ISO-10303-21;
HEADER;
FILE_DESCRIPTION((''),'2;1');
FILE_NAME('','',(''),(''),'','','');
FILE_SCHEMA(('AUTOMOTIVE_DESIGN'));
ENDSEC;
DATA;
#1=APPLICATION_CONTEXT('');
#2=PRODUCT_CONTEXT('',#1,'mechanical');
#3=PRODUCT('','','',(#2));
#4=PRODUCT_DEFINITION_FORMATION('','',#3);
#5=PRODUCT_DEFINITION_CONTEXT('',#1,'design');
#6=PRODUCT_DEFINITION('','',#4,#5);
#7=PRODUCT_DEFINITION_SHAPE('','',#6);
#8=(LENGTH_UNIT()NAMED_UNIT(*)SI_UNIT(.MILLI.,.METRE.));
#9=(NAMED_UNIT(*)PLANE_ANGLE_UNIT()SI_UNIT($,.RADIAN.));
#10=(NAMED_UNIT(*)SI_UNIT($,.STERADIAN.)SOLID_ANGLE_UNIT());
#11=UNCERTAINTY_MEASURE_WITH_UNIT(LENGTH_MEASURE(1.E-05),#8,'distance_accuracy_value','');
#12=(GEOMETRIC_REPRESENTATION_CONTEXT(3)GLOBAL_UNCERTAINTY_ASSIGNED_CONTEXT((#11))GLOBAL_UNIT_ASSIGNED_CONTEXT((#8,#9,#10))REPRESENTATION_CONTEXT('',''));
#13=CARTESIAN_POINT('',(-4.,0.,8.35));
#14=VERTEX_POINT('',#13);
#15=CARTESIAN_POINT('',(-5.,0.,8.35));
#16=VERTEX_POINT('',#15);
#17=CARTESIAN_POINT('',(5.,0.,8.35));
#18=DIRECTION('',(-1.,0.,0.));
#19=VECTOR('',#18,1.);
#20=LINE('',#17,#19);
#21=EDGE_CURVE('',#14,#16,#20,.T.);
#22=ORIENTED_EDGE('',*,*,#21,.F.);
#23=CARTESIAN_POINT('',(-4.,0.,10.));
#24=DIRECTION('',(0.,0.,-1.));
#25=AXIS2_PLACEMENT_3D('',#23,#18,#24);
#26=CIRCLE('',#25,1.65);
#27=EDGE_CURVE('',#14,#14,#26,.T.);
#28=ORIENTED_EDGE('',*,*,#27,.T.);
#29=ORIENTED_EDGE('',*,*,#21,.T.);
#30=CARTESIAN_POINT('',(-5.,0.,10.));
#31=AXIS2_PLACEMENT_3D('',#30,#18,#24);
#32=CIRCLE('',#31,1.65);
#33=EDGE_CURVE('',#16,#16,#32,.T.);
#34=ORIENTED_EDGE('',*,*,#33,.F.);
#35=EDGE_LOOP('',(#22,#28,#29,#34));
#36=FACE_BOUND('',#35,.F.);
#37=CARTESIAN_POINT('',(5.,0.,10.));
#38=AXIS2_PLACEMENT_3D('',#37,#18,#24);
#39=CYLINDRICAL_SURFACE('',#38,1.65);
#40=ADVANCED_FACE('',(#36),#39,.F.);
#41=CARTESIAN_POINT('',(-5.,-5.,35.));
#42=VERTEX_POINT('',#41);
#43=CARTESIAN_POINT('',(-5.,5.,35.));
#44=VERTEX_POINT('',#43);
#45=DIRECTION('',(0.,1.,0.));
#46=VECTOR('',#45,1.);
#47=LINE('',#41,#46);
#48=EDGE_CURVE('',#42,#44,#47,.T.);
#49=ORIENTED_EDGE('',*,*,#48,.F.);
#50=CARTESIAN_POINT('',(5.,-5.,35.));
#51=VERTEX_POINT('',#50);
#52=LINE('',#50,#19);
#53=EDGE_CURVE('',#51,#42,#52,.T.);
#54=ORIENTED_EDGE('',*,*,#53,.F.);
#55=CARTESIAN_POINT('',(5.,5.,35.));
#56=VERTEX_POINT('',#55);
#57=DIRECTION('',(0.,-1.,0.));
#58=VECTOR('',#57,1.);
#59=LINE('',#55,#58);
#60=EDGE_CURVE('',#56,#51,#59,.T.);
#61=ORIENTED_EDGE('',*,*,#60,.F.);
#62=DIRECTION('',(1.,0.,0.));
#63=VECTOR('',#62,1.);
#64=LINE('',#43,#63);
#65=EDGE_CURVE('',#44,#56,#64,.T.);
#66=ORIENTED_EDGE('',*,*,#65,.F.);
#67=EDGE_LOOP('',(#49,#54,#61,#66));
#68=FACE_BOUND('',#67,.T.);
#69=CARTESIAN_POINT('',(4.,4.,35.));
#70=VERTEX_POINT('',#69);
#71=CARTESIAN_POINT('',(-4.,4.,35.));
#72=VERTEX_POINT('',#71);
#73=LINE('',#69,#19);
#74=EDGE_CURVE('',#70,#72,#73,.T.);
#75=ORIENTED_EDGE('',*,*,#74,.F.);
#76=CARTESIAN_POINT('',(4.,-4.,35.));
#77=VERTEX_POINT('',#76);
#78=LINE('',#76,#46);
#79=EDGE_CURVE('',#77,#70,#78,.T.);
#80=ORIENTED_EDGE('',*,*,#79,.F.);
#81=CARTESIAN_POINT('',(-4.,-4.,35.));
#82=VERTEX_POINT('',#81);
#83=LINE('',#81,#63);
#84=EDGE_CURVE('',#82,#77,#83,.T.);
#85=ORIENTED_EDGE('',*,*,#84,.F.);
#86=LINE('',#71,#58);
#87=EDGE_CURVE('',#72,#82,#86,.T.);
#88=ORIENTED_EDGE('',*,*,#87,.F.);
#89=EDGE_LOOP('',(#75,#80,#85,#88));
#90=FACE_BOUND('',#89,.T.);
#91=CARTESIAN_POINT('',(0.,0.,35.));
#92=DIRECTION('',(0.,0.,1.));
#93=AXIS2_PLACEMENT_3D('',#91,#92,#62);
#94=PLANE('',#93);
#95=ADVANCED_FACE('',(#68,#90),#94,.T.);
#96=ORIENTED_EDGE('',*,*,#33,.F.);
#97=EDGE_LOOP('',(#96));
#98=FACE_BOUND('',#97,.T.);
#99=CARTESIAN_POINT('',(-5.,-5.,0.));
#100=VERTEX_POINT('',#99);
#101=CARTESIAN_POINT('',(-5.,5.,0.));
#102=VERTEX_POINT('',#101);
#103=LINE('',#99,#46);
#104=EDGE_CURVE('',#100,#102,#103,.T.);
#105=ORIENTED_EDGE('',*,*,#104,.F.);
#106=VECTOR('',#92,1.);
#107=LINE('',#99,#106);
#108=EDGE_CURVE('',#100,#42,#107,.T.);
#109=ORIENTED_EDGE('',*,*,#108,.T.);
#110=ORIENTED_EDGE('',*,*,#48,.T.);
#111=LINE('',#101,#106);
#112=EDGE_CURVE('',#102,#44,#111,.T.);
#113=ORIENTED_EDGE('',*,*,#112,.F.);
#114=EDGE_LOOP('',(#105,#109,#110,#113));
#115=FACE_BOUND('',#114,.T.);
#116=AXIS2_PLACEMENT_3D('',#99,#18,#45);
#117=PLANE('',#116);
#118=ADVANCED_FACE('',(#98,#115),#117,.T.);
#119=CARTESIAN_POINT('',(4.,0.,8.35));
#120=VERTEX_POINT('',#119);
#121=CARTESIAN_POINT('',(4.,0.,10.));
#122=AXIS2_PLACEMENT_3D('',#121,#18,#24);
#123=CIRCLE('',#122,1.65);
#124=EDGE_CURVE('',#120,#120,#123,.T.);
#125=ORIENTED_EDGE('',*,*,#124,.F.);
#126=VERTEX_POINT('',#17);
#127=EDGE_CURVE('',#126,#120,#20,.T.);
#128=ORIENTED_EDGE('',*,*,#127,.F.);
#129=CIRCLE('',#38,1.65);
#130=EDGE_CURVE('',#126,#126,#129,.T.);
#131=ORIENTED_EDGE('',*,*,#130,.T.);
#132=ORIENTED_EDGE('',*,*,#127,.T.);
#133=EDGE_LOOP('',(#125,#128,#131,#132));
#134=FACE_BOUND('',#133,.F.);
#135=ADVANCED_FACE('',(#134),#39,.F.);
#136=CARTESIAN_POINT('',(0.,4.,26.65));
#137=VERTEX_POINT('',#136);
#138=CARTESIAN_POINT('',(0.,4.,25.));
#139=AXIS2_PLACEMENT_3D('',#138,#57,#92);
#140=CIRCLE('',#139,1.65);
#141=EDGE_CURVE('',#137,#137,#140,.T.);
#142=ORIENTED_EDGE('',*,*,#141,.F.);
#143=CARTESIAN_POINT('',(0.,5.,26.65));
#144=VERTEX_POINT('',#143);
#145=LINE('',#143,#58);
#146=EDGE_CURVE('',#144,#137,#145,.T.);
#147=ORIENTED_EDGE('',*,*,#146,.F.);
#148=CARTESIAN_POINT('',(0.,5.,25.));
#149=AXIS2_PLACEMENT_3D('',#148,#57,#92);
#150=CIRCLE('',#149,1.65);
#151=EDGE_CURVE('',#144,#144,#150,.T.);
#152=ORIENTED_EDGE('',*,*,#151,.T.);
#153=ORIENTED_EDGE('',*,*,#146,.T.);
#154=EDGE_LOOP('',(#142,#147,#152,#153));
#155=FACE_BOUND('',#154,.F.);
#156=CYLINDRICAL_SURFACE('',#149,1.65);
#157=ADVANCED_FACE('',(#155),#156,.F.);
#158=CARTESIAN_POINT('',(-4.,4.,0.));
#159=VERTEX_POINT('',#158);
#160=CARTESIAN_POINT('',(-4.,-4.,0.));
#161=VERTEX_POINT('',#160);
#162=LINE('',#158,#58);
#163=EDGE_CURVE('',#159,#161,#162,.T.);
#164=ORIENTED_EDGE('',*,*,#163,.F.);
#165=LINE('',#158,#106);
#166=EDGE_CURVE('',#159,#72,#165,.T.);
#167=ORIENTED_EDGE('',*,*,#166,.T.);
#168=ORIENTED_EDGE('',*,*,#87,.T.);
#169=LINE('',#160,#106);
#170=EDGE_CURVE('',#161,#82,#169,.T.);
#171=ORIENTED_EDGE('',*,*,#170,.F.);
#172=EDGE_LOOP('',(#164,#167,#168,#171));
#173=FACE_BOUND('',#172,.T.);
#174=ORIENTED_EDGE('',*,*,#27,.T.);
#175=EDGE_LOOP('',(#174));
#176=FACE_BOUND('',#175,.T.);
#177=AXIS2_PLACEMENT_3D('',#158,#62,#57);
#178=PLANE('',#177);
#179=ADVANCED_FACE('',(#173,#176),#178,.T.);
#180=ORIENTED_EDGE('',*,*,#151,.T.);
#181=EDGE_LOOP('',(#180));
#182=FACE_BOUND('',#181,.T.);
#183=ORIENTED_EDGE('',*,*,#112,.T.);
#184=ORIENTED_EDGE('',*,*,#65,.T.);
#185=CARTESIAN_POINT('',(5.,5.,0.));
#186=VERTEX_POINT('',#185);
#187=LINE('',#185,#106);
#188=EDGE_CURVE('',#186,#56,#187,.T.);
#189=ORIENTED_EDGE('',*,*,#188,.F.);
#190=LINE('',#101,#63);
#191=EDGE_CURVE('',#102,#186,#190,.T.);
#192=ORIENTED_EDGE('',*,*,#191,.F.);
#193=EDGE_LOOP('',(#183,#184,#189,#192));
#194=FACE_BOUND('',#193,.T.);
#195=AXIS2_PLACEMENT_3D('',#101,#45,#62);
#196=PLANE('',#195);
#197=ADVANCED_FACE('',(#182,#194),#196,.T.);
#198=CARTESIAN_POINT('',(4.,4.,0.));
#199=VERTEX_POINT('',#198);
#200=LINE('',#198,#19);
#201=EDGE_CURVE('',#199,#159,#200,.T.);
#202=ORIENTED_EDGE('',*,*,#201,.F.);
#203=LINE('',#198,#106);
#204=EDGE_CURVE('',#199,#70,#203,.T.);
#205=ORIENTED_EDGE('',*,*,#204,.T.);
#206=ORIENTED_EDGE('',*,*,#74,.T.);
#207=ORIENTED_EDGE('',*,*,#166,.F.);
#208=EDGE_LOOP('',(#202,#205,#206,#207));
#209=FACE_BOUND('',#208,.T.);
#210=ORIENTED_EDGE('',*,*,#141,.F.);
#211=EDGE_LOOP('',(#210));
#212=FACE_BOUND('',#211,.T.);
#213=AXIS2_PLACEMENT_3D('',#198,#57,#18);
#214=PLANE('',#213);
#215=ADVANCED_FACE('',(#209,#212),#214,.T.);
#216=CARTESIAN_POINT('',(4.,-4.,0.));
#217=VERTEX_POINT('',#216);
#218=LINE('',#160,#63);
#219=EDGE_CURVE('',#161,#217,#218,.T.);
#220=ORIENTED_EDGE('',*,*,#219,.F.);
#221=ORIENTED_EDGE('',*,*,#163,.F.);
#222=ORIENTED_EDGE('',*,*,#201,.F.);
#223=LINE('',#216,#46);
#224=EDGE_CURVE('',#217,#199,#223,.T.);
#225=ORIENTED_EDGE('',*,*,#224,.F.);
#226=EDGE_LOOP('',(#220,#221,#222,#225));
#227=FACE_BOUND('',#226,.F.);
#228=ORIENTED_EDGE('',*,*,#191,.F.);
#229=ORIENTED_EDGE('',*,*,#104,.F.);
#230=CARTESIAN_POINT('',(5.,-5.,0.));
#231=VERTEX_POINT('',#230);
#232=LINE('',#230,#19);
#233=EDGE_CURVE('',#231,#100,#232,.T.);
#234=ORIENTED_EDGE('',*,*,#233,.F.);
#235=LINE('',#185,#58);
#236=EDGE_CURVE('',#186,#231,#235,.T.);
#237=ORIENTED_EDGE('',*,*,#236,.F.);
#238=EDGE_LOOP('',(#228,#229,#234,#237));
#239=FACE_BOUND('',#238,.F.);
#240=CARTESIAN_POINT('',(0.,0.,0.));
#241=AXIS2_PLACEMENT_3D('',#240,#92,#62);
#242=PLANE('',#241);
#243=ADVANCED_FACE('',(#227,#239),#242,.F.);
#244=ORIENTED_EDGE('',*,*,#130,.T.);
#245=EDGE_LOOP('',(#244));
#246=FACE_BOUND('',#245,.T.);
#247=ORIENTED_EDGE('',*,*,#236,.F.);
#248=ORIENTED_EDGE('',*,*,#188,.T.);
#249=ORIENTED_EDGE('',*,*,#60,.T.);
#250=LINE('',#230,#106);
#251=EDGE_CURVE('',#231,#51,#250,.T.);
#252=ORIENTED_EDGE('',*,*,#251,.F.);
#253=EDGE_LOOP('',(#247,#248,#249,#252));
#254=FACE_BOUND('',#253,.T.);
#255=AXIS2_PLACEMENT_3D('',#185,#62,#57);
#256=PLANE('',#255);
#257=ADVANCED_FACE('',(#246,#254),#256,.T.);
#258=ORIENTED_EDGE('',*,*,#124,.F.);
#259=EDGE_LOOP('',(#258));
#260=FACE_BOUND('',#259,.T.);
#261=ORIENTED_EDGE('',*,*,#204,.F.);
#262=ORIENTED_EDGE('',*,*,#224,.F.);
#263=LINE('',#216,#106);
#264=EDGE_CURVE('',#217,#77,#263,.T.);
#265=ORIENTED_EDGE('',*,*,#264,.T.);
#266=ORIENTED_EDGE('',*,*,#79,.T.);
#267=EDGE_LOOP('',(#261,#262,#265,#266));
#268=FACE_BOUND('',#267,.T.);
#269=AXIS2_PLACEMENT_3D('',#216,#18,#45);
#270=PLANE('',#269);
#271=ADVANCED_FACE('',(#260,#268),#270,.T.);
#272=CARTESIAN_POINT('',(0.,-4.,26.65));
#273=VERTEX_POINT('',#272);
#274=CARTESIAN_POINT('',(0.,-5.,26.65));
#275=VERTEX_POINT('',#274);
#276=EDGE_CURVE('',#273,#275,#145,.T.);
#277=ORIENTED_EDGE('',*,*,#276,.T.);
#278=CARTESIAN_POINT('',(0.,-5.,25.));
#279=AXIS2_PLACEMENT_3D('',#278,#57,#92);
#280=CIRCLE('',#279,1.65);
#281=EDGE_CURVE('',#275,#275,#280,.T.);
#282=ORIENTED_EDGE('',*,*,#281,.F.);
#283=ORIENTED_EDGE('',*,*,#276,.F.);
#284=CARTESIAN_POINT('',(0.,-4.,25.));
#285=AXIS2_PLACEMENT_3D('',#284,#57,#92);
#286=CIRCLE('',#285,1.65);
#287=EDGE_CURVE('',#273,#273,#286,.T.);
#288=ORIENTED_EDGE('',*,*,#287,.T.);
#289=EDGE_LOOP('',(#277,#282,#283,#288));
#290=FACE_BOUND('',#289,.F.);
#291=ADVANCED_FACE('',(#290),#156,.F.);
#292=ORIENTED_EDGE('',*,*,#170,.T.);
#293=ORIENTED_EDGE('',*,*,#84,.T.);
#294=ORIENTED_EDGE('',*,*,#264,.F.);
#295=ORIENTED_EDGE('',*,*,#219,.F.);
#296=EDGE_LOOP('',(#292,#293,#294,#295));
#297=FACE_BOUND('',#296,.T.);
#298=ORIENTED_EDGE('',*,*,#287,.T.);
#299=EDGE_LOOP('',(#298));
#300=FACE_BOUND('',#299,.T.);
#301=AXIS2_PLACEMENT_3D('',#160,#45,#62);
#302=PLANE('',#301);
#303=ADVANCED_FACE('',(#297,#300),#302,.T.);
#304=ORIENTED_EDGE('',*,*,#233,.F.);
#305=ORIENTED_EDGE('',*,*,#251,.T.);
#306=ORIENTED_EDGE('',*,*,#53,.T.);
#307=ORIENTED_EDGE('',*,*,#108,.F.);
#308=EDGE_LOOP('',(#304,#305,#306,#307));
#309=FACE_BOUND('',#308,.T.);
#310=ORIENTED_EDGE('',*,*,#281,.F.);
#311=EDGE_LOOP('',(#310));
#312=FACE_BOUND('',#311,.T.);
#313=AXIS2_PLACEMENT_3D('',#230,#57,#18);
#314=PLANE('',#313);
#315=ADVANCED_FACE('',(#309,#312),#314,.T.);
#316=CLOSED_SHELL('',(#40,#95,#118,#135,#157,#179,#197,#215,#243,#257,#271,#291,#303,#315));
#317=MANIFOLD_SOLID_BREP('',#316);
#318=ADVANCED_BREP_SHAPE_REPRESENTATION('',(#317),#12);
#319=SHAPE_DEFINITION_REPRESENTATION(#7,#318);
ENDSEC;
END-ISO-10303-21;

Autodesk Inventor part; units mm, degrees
ref_plane "YZ Plane" through (0, 0, 0) normal (1, 0, 0) x (0, 1, 0)
ref_plane "XZ Plane" through (0, 0, 0) normal (0, 1, 0) x (-1, 0, 0)
ref_plane "XY Plane" through (0, 0, 0) normal (0, 0, 1) x (1, 0, 0)
sketch "スケッチ1" plane through (0, 0, 0) normal (0, 0, 1) x (1, 0, 0)
  line L0 (5, -5) -> (-5, -5)
  line L1 (-5, -5) -> (-5, 5)
  line L2 (-5, 5) -> (5, 5)
  line L3 (5, 5) -> (5, -5)
  line L4 (5, -5) -> (-5, 5) construction
  line L5 (-5, -5) -> (5, 5) construction
  line L6 (4, 4) -> (-4, 4)
  line L7 (-4, 4) -> (-4, -4)
  line L8 (-4, -4) -> (4, -4)
  line L9 (4, -4) -> (4, 4)
  point P0 (0, 0)
  dimension "d0" = 10
  dimension "d1" = 10
  dimension "d2" = 1
extrude "押し出し1" add sketch "スケッチ1" along normal blind 35
sketch "スケッチ2" plane through (5, -5, 0) normal (1, 0, 0) x (0, 0, -1)
  line L0 (-35, 9) -> (-35, 1) projected
  line L1 (-35, 5) -> (0, 5)
  line L2 (0, 9) -> (0, 1) projected
  point P0 (-10, 5)
  dimension "d5" = 10
hole "穴1" at (5, 0, 10) direction (-1, 0, 0) diameter 3.3 end through all
sketch "スケッチ3" plane through (-5, 5, 0) normal (0, 1, 0) x (1, 0, 0)
  line L0 (5, 0) -> (5, -35)
  line L1 (0, -35) -> (10, -35) projected
  line L2 (10, 0) -> (0, 0) projected
  point P0 (5, -25)
  dimension "d13" = 25
hole "穴2" at (0, 5, 25) direction (0, -1, 0) diameter 3.3 end through all
properties part number "small_kaku_1010_santen_1020"
